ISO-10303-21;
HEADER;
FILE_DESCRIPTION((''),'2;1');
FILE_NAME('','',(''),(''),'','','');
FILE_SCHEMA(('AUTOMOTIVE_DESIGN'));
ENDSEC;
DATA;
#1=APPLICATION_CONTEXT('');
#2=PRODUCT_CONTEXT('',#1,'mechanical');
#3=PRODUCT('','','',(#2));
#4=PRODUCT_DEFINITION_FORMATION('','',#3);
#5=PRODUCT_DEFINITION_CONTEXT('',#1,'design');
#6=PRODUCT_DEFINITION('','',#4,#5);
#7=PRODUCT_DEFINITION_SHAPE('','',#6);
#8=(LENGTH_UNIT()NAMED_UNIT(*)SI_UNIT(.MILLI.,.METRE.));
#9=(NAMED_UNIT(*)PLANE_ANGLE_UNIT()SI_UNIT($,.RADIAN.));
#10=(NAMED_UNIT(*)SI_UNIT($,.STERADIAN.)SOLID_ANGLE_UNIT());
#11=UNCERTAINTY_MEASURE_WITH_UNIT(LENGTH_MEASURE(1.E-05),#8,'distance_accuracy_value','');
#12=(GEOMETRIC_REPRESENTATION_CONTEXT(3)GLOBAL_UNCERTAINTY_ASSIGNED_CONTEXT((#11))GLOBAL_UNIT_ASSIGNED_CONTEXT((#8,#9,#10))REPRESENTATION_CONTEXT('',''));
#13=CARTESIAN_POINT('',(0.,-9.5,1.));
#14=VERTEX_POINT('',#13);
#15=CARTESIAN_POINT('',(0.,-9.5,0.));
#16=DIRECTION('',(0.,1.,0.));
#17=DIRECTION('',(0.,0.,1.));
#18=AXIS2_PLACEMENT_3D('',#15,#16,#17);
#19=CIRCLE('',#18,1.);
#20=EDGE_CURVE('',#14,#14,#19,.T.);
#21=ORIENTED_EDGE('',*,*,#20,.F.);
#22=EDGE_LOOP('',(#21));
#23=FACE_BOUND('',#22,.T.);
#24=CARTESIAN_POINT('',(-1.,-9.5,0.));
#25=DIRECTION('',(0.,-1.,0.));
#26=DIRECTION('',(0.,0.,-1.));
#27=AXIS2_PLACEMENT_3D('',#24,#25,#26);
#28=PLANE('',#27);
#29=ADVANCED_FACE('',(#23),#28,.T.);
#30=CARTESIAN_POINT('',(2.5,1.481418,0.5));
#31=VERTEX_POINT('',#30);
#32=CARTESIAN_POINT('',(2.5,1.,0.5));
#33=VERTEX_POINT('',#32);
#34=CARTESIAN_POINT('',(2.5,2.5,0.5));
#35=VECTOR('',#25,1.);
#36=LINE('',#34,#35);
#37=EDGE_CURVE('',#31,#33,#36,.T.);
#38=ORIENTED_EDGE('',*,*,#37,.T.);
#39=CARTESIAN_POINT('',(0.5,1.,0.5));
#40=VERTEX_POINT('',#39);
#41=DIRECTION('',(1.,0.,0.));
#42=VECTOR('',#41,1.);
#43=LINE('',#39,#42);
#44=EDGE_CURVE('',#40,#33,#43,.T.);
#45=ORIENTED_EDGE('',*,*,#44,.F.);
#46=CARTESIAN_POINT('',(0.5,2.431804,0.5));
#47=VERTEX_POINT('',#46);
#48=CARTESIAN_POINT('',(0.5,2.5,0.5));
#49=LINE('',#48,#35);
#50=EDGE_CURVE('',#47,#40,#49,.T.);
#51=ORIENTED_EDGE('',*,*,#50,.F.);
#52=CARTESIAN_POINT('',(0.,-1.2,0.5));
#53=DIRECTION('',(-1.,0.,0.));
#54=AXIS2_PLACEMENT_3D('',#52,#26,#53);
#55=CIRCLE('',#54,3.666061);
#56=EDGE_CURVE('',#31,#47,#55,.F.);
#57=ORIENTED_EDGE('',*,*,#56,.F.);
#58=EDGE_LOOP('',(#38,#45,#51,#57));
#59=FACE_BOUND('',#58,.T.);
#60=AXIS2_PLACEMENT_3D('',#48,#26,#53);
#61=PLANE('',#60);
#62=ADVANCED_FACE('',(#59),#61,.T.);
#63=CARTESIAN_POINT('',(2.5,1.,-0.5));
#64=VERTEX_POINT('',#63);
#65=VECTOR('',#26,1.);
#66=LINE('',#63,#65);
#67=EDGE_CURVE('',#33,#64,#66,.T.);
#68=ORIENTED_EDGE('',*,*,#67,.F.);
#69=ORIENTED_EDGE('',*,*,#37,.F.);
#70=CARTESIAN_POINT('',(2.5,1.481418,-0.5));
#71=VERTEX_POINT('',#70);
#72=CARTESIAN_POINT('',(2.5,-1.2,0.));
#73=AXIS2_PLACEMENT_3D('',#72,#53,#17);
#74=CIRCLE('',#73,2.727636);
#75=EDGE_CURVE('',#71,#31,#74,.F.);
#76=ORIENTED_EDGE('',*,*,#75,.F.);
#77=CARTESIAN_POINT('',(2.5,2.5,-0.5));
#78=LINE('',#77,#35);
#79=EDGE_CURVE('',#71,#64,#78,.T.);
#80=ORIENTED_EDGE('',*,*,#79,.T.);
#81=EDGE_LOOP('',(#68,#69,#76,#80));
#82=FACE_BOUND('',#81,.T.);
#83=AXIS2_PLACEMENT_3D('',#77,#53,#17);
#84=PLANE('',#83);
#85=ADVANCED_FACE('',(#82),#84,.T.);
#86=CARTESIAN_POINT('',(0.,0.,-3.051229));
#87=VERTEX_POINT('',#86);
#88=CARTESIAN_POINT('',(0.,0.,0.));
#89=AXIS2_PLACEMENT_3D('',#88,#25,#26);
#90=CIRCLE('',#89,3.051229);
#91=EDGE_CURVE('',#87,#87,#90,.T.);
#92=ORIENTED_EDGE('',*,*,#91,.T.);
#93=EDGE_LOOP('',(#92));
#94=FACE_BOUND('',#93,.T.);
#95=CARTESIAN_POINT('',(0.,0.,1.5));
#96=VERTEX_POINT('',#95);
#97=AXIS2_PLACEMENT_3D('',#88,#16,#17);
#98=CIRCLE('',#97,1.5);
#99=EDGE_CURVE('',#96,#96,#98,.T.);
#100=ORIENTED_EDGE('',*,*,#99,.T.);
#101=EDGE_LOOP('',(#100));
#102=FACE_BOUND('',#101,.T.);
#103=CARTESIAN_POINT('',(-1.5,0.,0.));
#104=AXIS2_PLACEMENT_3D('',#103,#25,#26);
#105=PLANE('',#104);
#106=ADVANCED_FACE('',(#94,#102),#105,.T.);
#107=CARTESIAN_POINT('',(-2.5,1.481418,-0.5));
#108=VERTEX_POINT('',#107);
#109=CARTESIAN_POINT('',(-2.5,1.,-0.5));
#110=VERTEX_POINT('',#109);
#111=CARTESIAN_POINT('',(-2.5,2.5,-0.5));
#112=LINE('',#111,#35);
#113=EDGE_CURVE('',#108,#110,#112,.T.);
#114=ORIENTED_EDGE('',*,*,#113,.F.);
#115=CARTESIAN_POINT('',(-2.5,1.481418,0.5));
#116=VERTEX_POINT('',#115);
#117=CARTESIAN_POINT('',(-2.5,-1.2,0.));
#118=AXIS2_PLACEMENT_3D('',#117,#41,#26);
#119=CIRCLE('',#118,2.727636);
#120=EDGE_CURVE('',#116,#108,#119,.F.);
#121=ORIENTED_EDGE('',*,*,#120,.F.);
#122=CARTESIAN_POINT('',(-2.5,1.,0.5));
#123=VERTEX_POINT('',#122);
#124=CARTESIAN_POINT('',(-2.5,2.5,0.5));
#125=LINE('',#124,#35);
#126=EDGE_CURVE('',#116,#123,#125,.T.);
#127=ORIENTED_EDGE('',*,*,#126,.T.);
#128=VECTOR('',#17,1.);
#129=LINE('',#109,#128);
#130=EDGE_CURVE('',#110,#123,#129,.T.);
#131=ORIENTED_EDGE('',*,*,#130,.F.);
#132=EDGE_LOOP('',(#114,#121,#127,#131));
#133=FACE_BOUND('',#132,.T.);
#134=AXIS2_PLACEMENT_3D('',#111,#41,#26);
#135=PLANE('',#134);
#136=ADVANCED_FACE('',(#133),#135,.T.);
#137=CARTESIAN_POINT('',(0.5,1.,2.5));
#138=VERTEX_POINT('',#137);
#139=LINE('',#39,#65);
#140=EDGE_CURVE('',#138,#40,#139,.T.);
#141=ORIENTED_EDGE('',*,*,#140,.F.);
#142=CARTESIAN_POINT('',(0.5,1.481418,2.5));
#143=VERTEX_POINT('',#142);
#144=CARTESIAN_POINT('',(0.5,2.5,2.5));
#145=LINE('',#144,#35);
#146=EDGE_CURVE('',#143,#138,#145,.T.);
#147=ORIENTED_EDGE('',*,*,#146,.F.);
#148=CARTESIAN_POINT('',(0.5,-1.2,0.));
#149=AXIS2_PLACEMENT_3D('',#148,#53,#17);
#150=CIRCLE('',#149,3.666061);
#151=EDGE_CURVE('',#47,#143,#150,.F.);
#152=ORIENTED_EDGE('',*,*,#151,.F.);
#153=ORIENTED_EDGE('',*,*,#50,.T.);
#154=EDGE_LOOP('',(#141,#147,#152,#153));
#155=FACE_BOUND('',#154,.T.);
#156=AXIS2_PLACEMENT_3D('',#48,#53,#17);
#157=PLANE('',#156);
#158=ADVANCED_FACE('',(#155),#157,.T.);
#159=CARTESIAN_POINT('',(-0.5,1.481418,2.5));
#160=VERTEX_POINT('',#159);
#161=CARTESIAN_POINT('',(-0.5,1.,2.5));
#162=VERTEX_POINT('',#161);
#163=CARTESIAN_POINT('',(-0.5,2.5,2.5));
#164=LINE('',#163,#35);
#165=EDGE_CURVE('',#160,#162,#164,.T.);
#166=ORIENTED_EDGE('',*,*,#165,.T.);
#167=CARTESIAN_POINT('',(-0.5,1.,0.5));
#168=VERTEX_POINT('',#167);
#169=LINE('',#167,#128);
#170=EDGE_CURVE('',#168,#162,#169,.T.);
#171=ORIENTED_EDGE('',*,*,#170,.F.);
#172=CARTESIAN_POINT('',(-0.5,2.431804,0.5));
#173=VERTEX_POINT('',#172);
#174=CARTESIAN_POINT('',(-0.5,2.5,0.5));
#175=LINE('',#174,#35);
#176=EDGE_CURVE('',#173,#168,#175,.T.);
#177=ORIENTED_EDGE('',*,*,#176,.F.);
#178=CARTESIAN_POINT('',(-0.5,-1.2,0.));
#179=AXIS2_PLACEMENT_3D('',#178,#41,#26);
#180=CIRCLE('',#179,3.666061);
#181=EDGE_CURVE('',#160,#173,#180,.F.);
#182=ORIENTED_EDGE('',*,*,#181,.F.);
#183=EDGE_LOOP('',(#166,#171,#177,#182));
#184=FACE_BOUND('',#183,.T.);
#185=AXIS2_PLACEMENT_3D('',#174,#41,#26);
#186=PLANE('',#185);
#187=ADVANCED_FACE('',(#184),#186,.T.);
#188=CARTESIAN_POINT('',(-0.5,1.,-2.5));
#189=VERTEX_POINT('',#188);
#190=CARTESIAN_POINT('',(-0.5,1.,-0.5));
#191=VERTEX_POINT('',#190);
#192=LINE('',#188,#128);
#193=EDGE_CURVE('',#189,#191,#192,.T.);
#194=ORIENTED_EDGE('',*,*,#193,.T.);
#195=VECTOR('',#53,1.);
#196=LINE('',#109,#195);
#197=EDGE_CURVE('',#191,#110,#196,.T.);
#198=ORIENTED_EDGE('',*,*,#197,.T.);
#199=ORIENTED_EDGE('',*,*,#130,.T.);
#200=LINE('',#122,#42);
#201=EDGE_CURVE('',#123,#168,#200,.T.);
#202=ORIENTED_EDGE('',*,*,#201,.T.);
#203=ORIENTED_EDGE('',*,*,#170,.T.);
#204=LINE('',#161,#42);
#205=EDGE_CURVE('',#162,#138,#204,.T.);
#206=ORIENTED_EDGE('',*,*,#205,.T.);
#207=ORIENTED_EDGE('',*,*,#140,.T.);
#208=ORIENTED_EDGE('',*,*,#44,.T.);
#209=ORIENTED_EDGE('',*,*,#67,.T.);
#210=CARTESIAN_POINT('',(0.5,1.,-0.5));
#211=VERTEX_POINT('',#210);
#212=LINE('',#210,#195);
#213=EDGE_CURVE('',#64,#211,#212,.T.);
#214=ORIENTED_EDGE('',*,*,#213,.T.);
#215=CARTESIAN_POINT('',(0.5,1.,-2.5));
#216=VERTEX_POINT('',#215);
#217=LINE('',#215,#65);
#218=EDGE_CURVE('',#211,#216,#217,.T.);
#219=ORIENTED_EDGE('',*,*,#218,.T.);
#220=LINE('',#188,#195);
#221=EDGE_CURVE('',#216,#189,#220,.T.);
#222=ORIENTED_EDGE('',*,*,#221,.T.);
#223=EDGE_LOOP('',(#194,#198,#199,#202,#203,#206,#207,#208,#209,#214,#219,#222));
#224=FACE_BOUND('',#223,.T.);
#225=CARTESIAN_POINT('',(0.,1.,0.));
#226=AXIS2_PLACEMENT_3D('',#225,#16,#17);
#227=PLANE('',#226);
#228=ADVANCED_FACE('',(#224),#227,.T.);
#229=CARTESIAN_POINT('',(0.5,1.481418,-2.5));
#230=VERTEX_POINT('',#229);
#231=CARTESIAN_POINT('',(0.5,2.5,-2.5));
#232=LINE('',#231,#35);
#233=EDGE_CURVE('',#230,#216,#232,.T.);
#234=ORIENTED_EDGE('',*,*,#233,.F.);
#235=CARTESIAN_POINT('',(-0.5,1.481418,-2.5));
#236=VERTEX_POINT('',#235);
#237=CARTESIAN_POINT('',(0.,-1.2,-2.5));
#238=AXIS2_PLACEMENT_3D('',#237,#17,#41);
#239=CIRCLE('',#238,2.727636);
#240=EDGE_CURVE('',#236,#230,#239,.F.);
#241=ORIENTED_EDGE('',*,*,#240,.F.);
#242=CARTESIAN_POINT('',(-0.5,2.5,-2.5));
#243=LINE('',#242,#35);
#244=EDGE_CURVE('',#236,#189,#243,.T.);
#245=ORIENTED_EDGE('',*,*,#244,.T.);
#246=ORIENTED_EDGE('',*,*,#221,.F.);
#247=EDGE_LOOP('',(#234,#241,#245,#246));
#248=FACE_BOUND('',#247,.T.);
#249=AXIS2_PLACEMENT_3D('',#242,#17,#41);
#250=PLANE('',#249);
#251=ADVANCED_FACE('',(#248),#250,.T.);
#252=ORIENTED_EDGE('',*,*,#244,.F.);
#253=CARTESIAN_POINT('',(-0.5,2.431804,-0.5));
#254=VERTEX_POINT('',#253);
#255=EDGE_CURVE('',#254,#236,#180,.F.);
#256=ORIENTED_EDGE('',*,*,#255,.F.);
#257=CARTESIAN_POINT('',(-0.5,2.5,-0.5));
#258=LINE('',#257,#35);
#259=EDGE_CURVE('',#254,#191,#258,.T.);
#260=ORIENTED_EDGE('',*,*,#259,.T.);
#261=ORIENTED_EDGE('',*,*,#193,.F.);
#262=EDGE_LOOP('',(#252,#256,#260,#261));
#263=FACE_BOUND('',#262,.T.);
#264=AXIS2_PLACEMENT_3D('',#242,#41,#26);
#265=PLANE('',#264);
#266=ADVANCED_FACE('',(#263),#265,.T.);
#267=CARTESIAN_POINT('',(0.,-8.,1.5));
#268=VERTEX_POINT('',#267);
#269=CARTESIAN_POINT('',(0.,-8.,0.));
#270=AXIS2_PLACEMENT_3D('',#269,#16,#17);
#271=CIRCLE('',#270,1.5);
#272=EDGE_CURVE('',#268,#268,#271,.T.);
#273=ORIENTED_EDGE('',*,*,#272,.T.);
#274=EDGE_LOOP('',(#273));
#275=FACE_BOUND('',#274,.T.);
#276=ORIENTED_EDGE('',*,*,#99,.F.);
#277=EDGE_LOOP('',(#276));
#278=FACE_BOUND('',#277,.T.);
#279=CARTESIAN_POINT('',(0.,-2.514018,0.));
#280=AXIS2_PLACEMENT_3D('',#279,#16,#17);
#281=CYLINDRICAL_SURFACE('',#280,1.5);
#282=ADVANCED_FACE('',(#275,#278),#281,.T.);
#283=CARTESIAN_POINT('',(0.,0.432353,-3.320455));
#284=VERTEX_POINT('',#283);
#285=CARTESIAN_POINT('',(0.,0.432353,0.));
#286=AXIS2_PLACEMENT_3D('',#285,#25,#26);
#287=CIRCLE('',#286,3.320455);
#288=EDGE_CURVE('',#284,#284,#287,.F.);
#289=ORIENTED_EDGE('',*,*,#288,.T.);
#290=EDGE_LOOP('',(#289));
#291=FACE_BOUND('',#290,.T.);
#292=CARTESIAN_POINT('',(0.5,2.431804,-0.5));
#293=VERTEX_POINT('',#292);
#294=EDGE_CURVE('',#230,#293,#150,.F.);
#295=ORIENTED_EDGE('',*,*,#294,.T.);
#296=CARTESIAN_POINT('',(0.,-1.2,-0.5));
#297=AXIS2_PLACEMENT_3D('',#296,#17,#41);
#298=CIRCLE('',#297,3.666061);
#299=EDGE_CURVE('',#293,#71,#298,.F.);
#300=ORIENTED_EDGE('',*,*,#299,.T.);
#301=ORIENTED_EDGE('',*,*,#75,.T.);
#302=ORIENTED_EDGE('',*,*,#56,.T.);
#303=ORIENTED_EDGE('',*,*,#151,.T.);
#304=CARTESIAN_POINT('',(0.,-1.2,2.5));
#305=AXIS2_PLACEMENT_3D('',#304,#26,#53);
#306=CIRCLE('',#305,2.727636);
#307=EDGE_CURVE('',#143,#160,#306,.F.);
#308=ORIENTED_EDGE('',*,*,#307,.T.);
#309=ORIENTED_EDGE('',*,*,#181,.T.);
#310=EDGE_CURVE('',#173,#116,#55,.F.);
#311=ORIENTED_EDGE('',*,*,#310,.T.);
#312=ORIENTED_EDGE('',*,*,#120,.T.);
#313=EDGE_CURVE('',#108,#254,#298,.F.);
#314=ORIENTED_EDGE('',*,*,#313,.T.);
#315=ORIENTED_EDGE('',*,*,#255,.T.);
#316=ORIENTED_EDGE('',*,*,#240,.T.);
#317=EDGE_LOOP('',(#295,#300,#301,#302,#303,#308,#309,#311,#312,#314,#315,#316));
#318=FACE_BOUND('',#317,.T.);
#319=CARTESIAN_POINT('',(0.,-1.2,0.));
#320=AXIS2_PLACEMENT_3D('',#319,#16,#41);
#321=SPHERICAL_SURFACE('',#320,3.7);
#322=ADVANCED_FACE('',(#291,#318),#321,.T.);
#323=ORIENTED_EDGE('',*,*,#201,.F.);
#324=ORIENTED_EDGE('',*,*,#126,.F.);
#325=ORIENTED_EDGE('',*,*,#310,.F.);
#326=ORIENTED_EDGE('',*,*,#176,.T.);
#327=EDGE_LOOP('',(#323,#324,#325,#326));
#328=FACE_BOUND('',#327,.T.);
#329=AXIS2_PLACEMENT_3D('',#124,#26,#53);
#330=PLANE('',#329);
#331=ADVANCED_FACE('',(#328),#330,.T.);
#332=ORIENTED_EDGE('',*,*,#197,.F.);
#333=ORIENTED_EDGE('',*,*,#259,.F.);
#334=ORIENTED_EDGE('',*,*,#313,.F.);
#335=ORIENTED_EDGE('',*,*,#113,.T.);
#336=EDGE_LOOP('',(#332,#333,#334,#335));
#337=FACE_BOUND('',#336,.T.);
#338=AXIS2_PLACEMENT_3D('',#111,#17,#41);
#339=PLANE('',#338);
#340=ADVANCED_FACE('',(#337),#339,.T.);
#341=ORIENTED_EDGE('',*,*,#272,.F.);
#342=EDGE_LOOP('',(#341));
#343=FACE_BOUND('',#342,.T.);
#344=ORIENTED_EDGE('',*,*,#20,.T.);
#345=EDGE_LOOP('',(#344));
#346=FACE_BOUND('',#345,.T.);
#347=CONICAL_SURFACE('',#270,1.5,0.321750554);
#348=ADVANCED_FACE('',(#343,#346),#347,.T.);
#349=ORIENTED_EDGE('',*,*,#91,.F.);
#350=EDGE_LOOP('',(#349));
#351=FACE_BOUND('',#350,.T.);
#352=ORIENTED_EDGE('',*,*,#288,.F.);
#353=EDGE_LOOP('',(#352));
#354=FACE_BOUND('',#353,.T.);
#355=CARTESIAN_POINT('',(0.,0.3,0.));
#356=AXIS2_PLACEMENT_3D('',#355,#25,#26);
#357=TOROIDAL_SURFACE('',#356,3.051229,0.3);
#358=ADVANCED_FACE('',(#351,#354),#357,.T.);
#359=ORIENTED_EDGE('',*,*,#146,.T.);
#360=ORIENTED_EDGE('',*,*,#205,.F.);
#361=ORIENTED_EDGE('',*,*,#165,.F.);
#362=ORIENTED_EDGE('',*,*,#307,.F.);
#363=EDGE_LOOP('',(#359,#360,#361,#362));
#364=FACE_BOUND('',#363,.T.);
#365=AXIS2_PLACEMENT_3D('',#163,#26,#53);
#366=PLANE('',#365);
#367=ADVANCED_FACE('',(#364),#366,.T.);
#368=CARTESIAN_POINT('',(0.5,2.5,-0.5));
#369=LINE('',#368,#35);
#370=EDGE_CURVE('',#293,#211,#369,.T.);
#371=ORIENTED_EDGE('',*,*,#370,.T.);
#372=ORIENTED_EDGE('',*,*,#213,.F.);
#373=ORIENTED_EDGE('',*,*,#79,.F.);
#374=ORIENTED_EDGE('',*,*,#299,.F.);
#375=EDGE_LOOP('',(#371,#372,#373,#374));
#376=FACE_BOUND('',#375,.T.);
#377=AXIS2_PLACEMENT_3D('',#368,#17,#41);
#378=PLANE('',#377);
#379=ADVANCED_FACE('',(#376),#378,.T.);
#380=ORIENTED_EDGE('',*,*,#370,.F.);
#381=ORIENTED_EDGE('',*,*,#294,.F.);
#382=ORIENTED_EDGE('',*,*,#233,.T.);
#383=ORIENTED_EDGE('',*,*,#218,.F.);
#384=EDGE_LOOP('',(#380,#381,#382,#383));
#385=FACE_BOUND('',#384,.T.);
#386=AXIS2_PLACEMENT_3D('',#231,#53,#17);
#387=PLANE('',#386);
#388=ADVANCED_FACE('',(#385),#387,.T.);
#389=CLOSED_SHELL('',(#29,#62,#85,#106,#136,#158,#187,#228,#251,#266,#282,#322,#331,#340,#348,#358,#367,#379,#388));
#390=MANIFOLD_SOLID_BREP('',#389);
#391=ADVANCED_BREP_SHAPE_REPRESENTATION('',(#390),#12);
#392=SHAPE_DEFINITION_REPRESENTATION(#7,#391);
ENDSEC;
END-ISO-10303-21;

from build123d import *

# Parameters (mm, degrees)
FILLET1_R          = 0.3
CUT_EXTRUDE1_START = 1
CUT_EXTRUDE1_DEPTH = 10.616564891


with BuildPart() as part:
    # Sketch1 → Revolve1 (revolve)
    with BuildSketch(Plane.XY, mode=Mode.PRIVATE) as revolve1_sk:
        with BuildLine():
            Line((-1.5, 0), (-1.5, -8))
            Line((-1.5, -8), (-1, -9.5))
            Line((-1, -9.5), (0, -9.5))
            Line((0, -9.5), (0, 2.5))
            ThreePointArc((0, 2.5), (-2.150581317, 1.810813843), (-3.5, 0))
            Line((-3.5, 0), (-1.5, 0))
        make_face()
    revolve(revolve1_sk.sketch.rotate(Axis((0, -2.514017632, 0), (0, -1, 0)), 270), axis=Axis((0, -2.514017632, 0), (0, -1, 0)))

    # Fillet1
    fillet1_edges = [part.edges().sort_by_distance(p)[0] for p in [
        (0, 0, -3.5),
    ]]
    fillet(fillet1_edges, radius=FILLET1_R)

    # Sketch2 → Cut-Extrude1 (cut, through all)
    with BuildSketch(Plane(origin=(0, 0, 0), x_dir=(1, 0, 0), z_dir=(0, 1, 0)).offset(CUT_EXTRUDE1_START)):
        Polygon((0.5, 0.5), (2.5, 0.5), (2.5, -0.5), (0.5, -0.5), (0.5, -2.5), (-0.5, -2.5), (-0.5, -0.5), (-2.5, -0.5), (-2.5, 0.5), (-0.5, 0.5), (-0.5, 2.5), (0.5, 2.5), align=None)
    extrude(amount=CUT_EXTRUDE1_DEPTH, mode=Mode.SUBTRACT)


solid = part.part
